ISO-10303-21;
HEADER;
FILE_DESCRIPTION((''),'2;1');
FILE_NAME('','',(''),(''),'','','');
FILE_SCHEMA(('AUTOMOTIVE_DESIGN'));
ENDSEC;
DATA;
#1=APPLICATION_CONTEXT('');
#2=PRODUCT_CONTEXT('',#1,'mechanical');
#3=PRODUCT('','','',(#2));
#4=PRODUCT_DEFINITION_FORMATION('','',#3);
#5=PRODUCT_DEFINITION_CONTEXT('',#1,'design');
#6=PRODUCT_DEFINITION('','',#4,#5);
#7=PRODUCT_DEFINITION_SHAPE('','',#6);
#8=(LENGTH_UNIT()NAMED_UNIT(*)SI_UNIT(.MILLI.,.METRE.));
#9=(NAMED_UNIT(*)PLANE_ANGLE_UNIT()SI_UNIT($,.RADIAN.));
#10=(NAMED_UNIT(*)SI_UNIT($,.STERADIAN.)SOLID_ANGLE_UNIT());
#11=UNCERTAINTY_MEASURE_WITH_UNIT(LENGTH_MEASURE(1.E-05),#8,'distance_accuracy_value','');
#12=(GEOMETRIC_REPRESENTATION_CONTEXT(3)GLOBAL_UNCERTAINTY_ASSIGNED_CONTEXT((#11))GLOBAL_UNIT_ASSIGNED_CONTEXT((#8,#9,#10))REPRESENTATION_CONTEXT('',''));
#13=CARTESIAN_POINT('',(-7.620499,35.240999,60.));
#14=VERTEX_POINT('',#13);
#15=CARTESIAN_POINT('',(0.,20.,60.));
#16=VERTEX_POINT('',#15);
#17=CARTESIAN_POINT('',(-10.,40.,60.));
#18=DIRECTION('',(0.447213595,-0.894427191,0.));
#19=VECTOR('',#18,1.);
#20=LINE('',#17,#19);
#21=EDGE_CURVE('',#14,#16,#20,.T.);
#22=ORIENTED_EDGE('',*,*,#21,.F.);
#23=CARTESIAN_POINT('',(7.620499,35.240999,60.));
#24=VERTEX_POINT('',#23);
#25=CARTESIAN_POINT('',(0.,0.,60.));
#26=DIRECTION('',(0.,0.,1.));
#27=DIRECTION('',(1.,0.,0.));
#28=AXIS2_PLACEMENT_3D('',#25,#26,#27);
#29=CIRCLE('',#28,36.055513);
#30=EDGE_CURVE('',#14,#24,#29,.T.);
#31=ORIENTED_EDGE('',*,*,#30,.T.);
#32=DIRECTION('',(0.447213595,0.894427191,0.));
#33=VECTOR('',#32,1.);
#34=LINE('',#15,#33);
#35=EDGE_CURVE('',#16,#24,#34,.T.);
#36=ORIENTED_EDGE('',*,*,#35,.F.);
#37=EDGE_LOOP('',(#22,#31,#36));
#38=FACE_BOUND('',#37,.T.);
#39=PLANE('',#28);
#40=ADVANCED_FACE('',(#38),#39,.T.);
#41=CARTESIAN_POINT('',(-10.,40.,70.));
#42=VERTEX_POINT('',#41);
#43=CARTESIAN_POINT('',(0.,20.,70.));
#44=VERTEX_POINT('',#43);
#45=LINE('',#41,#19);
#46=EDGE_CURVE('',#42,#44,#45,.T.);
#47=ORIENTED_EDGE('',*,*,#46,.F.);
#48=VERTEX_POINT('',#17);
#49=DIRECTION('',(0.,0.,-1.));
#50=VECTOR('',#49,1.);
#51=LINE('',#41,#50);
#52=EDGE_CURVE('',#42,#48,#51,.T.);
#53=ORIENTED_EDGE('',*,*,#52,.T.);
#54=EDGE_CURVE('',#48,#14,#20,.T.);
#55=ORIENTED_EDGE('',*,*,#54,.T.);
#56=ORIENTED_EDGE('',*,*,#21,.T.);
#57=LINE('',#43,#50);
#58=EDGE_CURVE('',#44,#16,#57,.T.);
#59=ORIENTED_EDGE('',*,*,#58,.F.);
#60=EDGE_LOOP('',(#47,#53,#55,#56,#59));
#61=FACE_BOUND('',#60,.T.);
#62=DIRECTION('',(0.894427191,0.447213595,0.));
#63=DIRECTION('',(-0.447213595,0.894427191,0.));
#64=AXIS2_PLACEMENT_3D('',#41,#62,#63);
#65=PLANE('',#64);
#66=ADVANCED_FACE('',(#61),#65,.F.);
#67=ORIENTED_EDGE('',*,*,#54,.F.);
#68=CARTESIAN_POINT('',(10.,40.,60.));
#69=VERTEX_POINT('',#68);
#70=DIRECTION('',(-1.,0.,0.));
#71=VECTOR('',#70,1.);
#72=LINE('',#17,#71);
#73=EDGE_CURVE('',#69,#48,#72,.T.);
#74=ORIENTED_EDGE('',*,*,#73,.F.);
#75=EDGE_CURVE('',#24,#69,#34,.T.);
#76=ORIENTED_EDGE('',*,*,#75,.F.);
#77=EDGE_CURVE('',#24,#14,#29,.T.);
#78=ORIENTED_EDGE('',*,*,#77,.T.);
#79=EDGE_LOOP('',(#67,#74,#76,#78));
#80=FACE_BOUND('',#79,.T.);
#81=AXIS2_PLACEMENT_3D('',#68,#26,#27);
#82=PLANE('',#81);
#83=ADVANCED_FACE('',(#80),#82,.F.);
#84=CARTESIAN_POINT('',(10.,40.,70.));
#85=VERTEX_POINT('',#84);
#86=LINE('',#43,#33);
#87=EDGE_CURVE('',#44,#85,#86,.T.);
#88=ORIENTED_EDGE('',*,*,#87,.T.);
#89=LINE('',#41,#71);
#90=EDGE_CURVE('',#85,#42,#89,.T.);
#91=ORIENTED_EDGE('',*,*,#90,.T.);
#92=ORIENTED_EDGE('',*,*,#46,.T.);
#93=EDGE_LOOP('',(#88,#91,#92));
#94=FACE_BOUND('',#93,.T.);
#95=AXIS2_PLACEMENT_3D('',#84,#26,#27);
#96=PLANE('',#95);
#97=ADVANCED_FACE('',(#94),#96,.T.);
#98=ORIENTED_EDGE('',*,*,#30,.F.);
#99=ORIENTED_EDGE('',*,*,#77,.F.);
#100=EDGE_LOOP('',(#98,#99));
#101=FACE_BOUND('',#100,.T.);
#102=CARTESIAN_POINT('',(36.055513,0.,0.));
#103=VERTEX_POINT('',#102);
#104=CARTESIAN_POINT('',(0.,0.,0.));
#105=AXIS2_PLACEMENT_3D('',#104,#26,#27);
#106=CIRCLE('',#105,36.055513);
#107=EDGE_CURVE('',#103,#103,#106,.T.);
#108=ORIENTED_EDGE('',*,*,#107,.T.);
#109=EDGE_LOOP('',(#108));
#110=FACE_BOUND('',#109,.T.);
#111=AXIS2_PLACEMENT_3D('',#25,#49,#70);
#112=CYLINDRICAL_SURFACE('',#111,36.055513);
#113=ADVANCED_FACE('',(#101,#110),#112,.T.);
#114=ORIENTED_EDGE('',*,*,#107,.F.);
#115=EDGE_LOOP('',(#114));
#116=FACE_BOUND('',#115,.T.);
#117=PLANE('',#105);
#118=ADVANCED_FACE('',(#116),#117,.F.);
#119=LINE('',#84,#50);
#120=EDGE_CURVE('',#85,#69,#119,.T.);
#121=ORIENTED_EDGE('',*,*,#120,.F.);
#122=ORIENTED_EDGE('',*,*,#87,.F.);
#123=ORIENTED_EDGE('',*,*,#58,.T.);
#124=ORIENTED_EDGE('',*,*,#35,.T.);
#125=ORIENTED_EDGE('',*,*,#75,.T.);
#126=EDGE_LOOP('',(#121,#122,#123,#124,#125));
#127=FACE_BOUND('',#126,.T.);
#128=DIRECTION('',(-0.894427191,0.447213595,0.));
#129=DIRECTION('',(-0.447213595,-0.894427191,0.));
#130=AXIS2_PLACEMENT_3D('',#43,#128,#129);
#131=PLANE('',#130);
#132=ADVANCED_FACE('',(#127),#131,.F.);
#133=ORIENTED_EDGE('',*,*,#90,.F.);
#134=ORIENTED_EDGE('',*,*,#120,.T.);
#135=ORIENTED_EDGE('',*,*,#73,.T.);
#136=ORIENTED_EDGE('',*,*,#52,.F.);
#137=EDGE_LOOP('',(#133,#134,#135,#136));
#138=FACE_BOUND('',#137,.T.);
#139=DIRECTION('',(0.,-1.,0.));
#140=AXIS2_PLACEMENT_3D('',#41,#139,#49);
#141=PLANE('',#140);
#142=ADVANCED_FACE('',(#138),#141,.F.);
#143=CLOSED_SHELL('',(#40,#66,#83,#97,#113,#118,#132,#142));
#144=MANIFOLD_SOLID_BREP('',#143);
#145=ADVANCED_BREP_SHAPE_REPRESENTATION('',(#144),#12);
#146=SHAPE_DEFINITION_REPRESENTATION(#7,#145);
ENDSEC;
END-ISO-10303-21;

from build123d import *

# Parameters (mm, degrees)
SKETCH1_R           = 36.055512755
BOSS_EXTRUDE1_DEPTH = 60
BOSS_EXTRUDE2_DEPTH = 10


with BuildPart() as part:
    # Sketch1 → Boss-Extrude1 (new body)
    with BuildSketch(Plane.XY):
        Circle(SKETCH1_R)
    extrude(amount=BOSS_EXTRUDE1_DEPTH)

    # Sketch3 → Boss-Extrude2 (add)
    with BuildSketch(Plane.XY.offset(60)):
        Polygon((-10, 40), (0, 20), (10, 40), align=None)
    extrude(amount=BOSS_EXTRUDE2_DEPTH)


solid = part.part
